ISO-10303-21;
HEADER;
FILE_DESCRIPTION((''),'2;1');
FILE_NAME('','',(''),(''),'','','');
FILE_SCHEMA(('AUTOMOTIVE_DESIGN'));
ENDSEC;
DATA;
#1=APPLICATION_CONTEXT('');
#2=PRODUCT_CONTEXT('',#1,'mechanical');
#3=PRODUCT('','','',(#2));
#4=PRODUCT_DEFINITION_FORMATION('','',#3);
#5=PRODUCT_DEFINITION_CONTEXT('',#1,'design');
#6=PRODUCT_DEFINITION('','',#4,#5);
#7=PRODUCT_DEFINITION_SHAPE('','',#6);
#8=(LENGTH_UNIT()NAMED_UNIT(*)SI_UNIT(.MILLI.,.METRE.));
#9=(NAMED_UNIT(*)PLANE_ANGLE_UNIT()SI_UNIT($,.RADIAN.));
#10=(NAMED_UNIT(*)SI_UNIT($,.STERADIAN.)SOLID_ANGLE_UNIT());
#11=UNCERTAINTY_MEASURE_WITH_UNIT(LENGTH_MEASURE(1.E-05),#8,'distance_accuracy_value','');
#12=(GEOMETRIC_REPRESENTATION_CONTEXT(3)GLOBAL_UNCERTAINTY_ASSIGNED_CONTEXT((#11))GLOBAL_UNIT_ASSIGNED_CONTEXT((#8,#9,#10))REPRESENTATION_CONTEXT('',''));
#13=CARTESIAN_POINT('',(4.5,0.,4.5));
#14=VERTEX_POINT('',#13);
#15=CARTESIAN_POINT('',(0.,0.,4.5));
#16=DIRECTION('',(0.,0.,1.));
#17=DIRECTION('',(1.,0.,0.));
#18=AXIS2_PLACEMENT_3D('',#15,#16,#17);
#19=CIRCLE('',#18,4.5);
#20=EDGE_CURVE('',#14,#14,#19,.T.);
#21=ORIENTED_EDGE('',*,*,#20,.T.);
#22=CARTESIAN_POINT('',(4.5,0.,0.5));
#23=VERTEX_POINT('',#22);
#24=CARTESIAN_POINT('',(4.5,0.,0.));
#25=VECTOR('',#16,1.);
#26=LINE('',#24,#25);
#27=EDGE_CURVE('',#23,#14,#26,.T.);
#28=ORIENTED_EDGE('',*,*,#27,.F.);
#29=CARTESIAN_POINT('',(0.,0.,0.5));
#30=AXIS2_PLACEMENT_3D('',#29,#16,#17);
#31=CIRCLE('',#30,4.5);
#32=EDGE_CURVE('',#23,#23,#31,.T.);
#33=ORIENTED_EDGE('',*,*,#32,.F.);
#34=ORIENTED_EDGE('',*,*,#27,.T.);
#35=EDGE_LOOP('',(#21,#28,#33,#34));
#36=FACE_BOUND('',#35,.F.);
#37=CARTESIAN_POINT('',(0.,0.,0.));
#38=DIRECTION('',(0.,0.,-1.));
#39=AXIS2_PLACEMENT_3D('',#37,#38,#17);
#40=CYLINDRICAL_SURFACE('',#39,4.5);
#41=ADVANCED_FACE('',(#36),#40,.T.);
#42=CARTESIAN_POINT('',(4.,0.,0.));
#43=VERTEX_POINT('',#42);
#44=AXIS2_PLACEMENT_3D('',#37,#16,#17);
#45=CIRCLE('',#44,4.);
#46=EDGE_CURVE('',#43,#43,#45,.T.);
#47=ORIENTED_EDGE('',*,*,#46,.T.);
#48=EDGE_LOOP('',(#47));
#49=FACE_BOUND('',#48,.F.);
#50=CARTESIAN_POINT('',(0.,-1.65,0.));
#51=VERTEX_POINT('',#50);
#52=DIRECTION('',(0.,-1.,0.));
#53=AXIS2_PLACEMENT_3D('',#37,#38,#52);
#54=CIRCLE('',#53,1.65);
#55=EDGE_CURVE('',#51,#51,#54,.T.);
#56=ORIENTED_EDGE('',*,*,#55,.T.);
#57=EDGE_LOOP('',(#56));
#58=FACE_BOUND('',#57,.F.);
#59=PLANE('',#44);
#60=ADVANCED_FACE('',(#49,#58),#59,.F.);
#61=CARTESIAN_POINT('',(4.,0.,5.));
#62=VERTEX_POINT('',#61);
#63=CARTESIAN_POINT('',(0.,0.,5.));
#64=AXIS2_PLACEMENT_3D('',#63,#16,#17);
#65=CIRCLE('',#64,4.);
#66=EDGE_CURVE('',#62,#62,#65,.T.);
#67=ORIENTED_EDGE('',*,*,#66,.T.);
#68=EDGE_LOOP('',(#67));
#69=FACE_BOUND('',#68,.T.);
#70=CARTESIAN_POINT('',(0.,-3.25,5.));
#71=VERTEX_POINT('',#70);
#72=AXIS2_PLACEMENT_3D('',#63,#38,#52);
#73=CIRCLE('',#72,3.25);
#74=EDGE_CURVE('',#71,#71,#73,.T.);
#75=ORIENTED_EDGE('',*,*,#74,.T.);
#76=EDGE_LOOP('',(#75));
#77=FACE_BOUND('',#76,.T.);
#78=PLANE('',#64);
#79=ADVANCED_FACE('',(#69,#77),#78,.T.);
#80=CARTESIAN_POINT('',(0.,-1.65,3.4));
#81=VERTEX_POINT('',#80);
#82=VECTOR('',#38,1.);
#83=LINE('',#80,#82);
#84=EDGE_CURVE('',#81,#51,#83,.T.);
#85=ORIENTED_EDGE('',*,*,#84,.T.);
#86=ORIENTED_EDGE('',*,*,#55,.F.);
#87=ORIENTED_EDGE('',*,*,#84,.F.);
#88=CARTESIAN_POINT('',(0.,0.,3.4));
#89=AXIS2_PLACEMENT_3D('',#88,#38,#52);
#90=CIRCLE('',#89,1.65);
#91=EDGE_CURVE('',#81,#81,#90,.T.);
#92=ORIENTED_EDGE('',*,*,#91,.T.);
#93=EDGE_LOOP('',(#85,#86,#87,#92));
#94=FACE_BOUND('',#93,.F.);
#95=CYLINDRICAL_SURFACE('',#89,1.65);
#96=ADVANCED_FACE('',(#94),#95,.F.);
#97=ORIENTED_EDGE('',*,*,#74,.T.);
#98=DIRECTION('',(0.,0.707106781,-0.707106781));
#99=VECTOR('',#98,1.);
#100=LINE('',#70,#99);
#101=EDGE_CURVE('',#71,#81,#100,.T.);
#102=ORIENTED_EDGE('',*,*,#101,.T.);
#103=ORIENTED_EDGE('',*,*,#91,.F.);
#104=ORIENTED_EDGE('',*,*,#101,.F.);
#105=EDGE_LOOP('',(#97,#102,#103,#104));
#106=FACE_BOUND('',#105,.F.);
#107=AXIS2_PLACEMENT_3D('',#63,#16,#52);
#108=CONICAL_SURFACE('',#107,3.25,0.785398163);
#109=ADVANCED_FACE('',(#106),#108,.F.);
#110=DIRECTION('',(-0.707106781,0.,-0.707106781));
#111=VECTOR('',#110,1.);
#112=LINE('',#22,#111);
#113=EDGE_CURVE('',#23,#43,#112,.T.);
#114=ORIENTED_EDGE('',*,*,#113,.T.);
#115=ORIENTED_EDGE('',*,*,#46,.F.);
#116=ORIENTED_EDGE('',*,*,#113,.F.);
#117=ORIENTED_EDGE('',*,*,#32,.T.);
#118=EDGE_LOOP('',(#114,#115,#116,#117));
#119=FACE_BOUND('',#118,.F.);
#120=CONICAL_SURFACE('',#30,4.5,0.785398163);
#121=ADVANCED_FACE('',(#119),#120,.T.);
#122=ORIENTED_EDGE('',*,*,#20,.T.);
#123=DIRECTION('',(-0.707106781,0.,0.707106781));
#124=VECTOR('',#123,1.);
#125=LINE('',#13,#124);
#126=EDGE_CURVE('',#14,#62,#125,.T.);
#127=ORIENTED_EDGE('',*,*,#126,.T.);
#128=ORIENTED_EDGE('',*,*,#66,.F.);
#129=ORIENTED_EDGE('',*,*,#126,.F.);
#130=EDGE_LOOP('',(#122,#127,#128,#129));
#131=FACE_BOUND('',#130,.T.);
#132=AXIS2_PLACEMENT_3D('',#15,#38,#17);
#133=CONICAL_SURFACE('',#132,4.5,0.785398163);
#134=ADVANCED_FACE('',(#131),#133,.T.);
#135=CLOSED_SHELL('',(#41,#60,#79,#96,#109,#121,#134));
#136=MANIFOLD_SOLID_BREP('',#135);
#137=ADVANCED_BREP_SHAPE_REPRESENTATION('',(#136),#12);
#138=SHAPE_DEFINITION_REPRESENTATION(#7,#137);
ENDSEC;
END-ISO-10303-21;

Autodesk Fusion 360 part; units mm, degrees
sketch "Sketch1" plane through (0, 0, 0) normal (0, 0, 1) x (1, 0, 0)
  circle A0 centre (0, 0) radius 4.5
  circle A1 centre (0, 0) radius 1.5
  dimension "d1" = 9
  dimension "d4" = 3
extrude "Extrude1" add sketch "Sketch1" along normal blind 5
hole "Hole1" at (0, 0, 5) direction (0, 0, -1) diameter 3.3 depth 10 tip angle 118 countersink diameter 6.5 countersink angle 90
chamfer "Chamfer1" distance 0.5 angle 45 2 edges at (-4.1955, -1.6273, 5) (-4.1955, -1.6273, 0)
